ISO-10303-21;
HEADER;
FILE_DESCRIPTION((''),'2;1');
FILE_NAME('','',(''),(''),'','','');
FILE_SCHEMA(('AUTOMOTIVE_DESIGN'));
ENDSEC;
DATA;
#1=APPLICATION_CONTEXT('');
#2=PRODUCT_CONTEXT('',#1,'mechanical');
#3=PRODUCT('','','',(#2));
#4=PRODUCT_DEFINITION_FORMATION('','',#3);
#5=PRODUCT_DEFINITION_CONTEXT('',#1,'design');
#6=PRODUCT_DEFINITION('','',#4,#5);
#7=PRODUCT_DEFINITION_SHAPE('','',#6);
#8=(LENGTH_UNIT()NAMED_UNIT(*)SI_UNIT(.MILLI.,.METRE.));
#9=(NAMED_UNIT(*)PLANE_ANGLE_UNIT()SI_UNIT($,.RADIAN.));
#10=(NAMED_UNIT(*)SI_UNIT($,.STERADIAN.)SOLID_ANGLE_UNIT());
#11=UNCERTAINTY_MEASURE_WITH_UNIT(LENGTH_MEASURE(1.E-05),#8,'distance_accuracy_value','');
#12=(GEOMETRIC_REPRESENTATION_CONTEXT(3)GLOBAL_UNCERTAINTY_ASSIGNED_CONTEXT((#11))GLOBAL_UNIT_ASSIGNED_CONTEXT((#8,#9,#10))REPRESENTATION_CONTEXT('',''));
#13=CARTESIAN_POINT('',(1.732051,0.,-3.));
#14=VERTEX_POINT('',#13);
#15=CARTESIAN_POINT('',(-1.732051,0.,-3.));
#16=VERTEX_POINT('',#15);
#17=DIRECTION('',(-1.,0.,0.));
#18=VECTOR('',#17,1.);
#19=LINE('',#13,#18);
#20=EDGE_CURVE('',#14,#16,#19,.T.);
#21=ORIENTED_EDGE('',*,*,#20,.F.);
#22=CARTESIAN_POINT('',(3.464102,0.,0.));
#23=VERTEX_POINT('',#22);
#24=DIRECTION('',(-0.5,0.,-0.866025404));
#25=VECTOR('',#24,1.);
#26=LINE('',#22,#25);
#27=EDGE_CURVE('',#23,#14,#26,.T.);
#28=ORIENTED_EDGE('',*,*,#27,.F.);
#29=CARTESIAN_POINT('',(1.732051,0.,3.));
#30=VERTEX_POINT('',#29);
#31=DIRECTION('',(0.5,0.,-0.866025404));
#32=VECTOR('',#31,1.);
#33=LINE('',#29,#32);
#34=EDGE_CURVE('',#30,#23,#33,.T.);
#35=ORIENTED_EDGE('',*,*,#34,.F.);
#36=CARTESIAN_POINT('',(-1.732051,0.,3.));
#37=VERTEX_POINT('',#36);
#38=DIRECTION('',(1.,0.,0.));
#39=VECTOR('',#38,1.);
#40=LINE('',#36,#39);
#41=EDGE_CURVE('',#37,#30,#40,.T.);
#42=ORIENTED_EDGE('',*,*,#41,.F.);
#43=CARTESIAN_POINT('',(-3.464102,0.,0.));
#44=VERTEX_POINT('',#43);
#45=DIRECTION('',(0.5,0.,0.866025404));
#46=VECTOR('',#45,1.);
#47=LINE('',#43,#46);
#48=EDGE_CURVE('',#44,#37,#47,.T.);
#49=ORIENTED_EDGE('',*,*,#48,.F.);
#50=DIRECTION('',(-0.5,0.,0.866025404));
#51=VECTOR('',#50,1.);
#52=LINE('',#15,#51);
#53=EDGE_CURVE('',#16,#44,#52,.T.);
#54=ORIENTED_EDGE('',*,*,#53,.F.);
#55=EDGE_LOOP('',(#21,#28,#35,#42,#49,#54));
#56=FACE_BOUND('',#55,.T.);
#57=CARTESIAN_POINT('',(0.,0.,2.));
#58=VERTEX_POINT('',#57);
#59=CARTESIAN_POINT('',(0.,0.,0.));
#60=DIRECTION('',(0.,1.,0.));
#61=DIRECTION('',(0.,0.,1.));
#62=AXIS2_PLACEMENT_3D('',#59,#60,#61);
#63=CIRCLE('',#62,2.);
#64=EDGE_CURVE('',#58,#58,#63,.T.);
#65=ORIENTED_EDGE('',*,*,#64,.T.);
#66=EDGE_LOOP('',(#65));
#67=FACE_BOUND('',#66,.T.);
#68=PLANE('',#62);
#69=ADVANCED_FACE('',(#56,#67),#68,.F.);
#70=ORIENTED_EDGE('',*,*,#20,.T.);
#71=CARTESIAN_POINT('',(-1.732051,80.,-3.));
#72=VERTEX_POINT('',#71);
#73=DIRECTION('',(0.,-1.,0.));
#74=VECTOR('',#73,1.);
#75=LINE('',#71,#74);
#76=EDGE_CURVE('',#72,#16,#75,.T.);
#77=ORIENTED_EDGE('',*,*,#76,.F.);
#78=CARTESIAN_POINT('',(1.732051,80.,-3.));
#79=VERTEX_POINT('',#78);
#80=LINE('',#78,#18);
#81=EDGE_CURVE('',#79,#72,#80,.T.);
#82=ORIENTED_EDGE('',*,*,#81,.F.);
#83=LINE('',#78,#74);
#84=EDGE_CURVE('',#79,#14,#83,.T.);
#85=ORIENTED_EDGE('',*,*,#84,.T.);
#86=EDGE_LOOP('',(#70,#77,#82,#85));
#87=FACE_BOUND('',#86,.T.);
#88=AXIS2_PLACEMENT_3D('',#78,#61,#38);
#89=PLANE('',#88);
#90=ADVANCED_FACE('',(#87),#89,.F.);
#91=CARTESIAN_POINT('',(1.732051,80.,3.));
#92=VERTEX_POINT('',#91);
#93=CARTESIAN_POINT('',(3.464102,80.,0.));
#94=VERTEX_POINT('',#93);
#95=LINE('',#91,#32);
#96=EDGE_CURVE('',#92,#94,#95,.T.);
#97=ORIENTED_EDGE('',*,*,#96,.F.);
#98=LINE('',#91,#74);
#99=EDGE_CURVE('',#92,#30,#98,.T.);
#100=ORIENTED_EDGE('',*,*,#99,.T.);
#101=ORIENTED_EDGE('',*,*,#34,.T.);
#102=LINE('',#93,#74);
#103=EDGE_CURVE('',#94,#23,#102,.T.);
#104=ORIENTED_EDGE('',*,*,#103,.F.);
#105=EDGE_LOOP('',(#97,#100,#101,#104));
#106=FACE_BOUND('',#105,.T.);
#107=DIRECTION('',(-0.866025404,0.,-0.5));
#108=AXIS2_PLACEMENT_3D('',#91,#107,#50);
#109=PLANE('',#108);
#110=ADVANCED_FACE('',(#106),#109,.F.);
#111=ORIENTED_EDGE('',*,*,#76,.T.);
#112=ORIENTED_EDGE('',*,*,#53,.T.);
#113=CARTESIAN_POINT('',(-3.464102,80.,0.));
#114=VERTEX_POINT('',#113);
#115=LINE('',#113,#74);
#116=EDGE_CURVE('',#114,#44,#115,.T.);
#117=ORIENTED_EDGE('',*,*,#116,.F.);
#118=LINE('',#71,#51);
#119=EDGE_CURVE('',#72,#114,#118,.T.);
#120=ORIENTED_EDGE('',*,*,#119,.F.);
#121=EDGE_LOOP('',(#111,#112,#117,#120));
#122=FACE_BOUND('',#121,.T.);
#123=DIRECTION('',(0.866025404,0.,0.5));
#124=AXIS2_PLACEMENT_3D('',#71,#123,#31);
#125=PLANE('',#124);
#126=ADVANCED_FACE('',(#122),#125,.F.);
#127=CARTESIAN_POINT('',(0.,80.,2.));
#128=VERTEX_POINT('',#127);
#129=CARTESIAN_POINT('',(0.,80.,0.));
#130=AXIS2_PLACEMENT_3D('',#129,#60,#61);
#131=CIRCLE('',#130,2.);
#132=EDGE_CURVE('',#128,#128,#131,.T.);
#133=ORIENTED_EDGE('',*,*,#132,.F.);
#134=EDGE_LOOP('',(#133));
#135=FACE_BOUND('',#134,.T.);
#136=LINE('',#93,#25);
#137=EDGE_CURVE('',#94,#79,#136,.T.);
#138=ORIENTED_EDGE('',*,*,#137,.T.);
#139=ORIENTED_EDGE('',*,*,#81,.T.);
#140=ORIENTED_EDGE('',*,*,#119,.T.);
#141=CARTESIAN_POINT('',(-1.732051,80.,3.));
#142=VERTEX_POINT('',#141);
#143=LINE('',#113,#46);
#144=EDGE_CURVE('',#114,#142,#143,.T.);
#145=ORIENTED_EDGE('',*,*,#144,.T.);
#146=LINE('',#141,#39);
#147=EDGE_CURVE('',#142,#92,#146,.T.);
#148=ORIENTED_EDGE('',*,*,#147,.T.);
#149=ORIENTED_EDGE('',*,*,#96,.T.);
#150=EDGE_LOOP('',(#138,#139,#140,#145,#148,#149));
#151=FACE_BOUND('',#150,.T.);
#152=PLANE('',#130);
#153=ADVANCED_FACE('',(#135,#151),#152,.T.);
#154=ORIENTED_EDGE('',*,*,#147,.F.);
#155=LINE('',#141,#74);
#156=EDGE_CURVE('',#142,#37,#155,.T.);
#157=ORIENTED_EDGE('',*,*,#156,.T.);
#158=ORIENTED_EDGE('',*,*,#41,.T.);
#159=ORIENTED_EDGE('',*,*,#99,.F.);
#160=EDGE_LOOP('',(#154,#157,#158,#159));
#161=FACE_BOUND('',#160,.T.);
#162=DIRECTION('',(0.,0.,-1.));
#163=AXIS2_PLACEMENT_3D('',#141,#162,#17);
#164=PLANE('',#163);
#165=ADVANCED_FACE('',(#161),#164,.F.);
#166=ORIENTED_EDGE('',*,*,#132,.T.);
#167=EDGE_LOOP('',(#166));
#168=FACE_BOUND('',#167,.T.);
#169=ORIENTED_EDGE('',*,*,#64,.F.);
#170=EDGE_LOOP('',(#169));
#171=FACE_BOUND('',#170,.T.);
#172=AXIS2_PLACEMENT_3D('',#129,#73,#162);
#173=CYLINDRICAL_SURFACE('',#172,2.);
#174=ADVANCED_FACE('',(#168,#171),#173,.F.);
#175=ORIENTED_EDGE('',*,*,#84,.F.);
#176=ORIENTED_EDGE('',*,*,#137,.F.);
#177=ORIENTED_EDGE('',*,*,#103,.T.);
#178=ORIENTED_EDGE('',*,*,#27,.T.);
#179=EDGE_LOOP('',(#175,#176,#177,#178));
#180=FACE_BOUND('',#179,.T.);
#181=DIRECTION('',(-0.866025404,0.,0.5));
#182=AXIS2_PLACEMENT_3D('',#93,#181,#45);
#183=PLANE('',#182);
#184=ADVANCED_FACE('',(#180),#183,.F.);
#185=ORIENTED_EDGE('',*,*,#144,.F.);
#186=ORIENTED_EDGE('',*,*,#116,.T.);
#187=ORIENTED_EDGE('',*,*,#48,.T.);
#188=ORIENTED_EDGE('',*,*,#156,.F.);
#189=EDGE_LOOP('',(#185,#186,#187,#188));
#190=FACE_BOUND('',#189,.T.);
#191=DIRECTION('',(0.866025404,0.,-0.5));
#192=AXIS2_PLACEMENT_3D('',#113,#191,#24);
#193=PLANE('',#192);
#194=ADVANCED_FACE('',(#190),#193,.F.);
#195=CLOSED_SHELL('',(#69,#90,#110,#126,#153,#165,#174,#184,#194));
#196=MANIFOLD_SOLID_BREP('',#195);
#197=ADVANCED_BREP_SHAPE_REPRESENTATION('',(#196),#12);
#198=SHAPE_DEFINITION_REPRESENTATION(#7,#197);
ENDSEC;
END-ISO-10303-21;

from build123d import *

# Parameters (mm, degrees)
SKETCH_1_R      = 2
EXTRUDE_1_DEPTH = 80


with BuildPart() as part:
    # 草图1 → 凸台-拉伸1 (new body)
    with BuildSketch(Plane(origin=(0, 0, 0), x_dir=(1, 0, 0), z_dir=(0, 1, 0))):
        Polygon((1.732050808, 3), (-1.732050808, 3), (-3.464101615, 0), (-1.732050808, -3), (1.732050808, -3), (3.464101615, 0), align=None)
        Circle(SKETCH_1_R, mode=Mode.SUBTRACT)
    extrude(amount=EXTRUDE_1_DEPTH)


solid = part.part
